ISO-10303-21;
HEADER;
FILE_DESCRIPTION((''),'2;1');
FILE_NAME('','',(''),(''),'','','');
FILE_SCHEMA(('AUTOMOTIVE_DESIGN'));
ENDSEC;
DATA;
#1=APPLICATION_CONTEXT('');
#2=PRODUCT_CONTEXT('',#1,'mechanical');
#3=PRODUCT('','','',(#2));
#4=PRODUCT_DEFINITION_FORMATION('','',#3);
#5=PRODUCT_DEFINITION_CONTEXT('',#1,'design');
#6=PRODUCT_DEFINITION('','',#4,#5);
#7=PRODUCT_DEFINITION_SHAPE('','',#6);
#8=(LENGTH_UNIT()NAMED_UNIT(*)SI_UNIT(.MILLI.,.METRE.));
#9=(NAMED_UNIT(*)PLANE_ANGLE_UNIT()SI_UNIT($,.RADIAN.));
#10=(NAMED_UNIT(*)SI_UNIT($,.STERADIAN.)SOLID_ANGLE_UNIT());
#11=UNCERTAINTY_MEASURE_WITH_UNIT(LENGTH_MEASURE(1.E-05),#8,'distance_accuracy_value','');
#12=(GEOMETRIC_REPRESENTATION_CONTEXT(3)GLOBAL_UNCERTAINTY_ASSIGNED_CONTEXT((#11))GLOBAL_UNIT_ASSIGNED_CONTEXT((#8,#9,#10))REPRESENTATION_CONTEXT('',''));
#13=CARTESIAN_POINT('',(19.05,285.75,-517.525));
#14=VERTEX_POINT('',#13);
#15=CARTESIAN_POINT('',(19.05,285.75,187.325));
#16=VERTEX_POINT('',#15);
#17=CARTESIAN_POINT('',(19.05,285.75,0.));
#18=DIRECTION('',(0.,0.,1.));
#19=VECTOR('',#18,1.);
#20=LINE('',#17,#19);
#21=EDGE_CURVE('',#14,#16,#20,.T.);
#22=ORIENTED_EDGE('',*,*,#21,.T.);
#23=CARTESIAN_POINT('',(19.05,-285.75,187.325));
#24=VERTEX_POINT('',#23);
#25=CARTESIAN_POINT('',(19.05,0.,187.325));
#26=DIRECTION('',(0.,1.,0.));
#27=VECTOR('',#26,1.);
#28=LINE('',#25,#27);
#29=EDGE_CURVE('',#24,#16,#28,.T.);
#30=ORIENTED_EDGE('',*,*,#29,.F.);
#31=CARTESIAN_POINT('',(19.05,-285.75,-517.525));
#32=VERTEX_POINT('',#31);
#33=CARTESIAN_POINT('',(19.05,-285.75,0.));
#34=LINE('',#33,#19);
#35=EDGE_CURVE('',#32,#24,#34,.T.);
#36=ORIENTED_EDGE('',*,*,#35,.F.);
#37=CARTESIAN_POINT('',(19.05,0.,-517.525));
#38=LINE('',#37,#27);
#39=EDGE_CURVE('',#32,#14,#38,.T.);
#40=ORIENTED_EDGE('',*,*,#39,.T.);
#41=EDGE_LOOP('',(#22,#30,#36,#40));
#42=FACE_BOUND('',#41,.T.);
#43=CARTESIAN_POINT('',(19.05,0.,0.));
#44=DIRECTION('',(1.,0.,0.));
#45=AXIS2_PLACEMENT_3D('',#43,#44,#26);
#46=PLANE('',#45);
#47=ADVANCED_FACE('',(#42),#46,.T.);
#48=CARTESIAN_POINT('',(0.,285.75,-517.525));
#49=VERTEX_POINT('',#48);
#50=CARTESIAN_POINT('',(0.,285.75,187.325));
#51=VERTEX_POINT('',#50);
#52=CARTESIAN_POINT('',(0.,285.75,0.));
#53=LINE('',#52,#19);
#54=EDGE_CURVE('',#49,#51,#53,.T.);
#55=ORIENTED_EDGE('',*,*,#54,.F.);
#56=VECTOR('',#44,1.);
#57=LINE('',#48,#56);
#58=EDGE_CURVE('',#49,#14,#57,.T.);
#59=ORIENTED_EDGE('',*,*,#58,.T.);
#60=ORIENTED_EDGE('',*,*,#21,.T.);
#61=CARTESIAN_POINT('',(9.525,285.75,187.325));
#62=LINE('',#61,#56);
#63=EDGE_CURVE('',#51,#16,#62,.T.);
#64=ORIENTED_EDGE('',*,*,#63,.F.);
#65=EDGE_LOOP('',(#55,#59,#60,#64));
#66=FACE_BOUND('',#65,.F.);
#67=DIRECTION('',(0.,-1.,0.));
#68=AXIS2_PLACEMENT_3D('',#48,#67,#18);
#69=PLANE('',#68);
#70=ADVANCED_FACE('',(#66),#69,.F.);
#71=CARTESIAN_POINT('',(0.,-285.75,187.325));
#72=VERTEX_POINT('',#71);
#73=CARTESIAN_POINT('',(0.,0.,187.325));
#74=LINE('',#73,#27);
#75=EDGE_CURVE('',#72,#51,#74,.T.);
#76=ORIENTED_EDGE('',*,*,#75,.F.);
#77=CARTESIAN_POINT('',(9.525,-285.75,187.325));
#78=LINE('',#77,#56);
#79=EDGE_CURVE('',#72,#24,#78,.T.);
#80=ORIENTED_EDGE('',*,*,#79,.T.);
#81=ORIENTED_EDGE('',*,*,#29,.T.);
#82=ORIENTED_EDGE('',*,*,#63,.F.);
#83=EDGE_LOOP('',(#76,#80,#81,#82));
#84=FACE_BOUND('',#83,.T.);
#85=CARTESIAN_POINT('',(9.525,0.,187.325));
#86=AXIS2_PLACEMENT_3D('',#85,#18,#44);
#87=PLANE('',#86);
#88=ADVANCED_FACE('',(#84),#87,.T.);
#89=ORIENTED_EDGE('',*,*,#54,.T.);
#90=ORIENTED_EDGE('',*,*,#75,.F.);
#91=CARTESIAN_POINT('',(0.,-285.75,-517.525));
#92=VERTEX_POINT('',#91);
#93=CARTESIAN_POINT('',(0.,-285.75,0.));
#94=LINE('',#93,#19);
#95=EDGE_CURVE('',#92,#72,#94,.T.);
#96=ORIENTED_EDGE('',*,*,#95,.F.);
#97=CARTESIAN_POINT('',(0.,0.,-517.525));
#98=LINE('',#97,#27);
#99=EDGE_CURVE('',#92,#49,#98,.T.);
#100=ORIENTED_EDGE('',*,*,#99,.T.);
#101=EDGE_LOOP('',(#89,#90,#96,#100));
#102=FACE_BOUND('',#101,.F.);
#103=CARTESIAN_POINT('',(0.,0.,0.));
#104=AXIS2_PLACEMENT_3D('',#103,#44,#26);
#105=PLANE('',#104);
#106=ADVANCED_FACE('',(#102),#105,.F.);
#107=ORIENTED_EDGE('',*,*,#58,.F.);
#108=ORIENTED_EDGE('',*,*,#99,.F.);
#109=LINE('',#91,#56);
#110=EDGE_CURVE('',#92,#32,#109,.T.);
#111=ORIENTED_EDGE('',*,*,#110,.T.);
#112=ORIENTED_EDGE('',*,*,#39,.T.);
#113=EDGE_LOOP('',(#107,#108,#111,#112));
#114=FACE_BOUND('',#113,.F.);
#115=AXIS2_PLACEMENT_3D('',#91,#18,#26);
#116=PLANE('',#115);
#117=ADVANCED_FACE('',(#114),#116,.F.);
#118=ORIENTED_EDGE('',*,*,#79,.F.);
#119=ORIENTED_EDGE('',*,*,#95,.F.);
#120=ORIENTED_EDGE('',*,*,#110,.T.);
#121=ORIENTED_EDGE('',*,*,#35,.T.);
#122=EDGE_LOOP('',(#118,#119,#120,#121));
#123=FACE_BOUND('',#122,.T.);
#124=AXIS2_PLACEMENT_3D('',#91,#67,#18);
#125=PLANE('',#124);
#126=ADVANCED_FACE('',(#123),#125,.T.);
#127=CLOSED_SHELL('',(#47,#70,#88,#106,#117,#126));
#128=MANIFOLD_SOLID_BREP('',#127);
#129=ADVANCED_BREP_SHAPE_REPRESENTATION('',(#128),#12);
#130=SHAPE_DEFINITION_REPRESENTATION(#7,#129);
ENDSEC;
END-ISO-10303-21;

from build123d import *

# Parameters (mm, degrees)
F0_W      = 571.5
F0_H      = 1035.05
F1_DEPTH  = 19.05
F1_FACE_W = 19.05
F1_FACE_H = 571.5
F2_DEPTH  = 330.2


with BuildPart() as f1:
    # F0 (on Right) → F1 (new body)
    with BuildSketch(Plane.YZ):
        Rectangle(F0_W, F0_H)
    extrude(amount=F1_DEPTH)

    # F1_face (on face) → F2 (cut)
    with BuildSketch(Plane(origin=(9.525, 0, 517.525), x_dir=(1, 0, 0), z_dir=(0, 0, 1))):
        Rectangle(F1_FACE_W, F1_FACE_H)
    extrude(amount=-F2_DEPTH, mode=Mode.SUBTRACT)


solid = f1.part
